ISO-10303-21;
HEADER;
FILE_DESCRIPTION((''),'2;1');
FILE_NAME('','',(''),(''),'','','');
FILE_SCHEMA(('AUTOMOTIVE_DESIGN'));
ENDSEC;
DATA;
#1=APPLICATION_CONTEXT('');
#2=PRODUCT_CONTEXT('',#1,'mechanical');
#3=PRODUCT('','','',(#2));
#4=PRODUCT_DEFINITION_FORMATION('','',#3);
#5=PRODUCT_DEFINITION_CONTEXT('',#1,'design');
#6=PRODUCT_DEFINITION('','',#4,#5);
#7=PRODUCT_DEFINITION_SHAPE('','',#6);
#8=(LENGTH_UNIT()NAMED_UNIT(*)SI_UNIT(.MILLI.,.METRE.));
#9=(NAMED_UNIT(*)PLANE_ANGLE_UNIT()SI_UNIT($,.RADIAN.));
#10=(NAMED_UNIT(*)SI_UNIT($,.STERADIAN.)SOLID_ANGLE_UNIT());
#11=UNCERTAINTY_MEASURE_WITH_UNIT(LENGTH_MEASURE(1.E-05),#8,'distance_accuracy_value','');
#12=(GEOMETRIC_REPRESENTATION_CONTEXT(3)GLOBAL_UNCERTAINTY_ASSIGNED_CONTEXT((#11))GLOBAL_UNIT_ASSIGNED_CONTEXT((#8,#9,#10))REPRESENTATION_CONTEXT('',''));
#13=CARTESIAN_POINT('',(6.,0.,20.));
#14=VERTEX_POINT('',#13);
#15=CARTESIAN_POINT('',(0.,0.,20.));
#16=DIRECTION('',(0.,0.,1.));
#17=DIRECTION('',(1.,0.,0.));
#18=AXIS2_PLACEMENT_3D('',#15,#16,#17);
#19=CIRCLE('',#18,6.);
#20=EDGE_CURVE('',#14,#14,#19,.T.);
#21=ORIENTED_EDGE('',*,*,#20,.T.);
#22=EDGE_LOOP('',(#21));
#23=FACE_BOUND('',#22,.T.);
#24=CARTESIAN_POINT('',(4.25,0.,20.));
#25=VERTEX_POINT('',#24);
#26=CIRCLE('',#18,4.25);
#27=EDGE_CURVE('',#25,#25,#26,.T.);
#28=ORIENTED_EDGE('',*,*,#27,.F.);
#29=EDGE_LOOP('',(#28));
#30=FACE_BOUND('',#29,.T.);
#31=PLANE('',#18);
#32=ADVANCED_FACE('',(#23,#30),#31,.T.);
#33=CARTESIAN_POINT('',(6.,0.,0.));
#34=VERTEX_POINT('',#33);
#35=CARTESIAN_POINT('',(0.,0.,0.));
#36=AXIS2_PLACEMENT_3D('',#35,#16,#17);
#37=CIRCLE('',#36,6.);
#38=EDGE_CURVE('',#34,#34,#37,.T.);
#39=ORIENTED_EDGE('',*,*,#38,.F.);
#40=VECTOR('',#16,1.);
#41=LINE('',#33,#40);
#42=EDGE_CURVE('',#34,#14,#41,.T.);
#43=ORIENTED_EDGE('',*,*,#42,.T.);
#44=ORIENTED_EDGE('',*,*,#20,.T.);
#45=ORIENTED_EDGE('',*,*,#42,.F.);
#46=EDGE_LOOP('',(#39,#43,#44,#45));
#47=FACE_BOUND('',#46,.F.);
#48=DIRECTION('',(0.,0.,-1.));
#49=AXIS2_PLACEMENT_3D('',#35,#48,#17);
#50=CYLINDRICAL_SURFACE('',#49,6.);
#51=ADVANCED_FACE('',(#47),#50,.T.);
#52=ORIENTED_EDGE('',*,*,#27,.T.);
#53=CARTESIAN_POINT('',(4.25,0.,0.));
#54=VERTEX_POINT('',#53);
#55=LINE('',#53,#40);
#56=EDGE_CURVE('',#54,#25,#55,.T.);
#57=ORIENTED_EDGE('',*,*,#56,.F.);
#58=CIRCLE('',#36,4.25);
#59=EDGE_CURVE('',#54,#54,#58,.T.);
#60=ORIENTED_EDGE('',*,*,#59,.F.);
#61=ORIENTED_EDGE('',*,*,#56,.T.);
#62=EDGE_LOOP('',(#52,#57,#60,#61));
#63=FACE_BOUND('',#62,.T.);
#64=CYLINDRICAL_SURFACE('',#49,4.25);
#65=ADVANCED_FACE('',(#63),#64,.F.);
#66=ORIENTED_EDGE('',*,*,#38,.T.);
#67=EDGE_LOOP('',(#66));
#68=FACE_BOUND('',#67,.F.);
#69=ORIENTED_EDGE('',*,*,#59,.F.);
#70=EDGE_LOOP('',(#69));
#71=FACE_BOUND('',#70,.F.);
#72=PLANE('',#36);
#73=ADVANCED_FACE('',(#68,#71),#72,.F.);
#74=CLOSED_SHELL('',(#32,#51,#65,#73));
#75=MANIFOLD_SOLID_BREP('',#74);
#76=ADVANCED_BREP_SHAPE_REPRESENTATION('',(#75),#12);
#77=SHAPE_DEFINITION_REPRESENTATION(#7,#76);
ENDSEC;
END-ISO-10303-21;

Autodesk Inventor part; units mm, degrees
ref_plane "YZ Plane" through (0, 0, 0) normal (1, 0, 0) x (0, 1, 0)
ref_plane "XZ Plane" through (0, 0, 0) normal (0, 1, 0) x (-1, 0, 0)
ref_plane "XY Plane" through (0, 0, 0) normal (0, 0, 1) x (1, 0, 0)
sketch "Sketch1" plane through (0, 0, 0) normal (0, 0, 1) x (1, 0, 0)
  circle A0 centre (0, 0) radius 4.25
  circle A1 centre (0, 0) radius 6
  dimension "d0" = 8.5
  dimension "d1" = 12
extrude "Extrusion1" add sketch "Sketch1" along normal blind 20
